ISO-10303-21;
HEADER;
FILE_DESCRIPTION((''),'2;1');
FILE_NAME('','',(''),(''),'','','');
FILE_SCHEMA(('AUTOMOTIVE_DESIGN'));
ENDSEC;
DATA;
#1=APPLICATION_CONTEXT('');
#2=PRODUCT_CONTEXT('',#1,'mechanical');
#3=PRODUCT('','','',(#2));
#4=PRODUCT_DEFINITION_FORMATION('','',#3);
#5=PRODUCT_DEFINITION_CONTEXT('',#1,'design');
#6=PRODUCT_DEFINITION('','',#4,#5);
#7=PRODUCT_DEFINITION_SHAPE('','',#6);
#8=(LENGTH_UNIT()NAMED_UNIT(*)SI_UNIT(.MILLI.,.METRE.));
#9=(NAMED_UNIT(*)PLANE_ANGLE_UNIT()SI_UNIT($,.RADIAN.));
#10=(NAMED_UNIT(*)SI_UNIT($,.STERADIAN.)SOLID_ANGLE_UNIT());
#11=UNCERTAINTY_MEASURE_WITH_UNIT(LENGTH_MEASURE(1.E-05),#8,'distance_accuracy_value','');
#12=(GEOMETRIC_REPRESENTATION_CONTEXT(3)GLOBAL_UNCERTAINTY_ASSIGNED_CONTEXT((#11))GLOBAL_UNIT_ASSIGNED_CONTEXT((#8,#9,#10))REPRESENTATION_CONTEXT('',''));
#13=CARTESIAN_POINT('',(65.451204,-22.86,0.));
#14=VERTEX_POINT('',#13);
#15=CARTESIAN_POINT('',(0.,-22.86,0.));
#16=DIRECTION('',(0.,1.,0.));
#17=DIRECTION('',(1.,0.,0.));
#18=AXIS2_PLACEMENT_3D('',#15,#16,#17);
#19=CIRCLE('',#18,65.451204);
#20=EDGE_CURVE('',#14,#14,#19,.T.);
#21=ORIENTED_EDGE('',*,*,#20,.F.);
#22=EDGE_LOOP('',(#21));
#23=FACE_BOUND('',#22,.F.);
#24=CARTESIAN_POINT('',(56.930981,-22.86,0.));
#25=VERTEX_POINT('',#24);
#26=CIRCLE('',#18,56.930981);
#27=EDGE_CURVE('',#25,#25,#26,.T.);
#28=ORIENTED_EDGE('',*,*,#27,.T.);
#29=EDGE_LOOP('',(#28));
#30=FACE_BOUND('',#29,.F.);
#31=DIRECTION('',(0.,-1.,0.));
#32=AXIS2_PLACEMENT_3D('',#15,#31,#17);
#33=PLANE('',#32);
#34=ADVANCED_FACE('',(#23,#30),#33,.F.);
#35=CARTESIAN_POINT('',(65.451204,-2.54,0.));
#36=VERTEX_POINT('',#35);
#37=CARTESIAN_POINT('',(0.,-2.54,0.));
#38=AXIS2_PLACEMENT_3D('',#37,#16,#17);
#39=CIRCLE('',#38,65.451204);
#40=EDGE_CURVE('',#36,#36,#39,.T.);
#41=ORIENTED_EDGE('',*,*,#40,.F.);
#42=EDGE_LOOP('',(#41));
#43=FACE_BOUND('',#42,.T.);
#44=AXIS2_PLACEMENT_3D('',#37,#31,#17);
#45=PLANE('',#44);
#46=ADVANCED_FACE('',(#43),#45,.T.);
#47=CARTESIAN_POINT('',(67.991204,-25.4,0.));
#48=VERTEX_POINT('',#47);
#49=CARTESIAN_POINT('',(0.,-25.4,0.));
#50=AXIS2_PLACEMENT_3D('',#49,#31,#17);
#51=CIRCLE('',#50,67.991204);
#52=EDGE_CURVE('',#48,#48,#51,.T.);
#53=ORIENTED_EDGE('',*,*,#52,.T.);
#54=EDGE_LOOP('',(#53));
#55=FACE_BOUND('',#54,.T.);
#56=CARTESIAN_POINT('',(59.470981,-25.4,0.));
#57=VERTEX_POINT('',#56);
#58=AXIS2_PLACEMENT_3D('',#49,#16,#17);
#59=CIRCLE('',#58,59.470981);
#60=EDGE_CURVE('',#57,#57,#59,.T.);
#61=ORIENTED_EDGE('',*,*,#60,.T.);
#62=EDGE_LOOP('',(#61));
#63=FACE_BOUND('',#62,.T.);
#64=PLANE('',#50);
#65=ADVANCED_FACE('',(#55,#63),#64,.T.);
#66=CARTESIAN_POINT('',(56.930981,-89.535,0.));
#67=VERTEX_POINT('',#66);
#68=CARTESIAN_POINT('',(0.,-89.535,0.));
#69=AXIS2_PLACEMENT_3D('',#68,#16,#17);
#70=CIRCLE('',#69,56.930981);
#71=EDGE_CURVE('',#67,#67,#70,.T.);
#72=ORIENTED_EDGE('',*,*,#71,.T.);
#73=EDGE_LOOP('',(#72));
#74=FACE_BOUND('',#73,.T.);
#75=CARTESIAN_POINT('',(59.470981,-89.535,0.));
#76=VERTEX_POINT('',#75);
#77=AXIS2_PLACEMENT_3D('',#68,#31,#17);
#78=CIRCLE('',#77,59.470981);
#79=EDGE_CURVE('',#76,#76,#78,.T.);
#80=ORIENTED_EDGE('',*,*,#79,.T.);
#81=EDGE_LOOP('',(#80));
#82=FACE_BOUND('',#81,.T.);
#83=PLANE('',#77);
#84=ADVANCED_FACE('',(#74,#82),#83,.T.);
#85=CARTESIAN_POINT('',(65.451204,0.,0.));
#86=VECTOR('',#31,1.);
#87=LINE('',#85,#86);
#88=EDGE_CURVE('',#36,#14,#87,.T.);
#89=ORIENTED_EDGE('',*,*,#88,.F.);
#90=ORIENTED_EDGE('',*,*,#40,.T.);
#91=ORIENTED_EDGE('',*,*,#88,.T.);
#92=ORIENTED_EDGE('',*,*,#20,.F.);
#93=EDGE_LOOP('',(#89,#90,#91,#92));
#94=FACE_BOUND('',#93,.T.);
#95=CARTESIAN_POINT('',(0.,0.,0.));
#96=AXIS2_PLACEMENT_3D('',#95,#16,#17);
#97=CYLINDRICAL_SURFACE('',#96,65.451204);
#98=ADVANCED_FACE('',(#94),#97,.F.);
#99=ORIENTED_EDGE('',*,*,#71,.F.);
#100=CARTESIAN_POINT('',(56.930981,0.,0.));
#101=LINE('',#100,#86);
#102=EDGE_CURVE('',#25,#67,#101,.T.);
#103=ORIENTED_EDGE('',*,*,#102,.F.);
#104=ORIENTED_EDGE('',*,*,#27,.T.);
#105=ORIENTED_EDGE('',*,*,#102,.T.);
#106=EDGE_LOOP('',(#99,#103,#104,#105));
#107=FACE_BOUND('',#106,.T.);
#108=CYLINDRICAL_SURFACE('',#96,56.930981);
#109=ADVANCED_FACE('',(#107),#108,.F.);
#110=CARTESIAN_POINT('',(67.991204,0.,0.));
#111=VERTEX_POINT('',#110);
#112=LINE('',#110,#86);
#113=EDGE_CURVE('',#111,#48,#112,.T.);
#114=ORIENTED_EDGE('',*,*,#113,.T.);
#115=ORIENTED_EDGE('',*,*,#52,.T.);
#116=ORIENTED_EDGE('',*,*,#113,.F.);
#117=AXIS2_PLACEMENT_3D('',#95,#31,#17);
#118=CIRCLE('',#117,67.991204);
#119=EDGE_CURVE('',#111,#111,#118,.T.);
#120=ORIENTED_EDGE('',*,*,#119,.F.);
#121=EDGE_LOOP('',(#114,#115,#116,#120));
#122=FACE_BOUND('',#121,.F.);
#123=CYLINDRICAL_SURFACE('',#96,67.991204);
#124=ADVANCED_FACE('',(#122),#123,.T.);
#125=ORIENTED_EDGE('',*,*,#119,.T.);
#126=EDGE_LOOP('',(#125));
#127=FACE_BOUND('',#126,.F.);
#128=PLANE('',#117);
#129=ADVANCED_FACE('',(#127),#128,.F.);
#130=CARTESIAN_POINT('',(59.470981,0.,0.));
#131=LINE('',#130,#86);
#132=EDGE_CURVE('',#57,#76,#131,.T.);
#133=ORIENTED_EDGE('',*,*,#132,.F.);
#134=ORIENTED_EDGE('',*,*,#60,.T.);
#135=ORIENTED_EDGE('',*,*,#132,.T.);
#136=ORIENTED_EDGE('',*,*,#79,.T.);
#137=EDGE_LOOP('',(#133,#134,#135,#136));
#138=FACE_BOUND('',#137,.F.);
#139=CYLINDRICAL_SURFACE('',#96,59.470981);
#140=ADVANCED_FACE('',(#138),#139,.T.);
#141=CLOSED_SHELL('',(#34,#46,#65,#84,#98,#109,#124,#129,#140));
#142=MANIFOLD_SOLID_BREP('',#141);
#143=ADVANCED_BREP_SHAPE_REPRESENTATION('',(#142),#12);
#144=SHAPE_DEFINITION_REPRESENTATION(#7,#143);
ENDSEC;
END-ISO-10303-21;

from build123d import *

# Parameters (mm, degrees)
F0_R     = 67.9912041861
F1_DEPTH = 25.4
F2_R     = 59.4709809198
F3_DEPTH = 89.535
F4_T     = -2.54


with BuildPart() as f1:
    # F0 (on Front) → F1 (new body)
    with BuildSketch(Plane.XZ):
        Circle(F0_R)
    extrude(amount=F1_DEPTH)

    # F2 (on Front) → F3 (join)
    with BuildSketch(Plane.XZ):
        Circle(F2_R)
    extrude(amount=F3_DEPTH)

    # F4
    f4_openings = [f1.faces().sort_by_distance(p)[0] for p in [
        (0, -89.535, 0),
    ]]
    offset(amount=F4_T, openings=f4_openings, kind=Kind.INTERSECTION)


solid = f1.part
